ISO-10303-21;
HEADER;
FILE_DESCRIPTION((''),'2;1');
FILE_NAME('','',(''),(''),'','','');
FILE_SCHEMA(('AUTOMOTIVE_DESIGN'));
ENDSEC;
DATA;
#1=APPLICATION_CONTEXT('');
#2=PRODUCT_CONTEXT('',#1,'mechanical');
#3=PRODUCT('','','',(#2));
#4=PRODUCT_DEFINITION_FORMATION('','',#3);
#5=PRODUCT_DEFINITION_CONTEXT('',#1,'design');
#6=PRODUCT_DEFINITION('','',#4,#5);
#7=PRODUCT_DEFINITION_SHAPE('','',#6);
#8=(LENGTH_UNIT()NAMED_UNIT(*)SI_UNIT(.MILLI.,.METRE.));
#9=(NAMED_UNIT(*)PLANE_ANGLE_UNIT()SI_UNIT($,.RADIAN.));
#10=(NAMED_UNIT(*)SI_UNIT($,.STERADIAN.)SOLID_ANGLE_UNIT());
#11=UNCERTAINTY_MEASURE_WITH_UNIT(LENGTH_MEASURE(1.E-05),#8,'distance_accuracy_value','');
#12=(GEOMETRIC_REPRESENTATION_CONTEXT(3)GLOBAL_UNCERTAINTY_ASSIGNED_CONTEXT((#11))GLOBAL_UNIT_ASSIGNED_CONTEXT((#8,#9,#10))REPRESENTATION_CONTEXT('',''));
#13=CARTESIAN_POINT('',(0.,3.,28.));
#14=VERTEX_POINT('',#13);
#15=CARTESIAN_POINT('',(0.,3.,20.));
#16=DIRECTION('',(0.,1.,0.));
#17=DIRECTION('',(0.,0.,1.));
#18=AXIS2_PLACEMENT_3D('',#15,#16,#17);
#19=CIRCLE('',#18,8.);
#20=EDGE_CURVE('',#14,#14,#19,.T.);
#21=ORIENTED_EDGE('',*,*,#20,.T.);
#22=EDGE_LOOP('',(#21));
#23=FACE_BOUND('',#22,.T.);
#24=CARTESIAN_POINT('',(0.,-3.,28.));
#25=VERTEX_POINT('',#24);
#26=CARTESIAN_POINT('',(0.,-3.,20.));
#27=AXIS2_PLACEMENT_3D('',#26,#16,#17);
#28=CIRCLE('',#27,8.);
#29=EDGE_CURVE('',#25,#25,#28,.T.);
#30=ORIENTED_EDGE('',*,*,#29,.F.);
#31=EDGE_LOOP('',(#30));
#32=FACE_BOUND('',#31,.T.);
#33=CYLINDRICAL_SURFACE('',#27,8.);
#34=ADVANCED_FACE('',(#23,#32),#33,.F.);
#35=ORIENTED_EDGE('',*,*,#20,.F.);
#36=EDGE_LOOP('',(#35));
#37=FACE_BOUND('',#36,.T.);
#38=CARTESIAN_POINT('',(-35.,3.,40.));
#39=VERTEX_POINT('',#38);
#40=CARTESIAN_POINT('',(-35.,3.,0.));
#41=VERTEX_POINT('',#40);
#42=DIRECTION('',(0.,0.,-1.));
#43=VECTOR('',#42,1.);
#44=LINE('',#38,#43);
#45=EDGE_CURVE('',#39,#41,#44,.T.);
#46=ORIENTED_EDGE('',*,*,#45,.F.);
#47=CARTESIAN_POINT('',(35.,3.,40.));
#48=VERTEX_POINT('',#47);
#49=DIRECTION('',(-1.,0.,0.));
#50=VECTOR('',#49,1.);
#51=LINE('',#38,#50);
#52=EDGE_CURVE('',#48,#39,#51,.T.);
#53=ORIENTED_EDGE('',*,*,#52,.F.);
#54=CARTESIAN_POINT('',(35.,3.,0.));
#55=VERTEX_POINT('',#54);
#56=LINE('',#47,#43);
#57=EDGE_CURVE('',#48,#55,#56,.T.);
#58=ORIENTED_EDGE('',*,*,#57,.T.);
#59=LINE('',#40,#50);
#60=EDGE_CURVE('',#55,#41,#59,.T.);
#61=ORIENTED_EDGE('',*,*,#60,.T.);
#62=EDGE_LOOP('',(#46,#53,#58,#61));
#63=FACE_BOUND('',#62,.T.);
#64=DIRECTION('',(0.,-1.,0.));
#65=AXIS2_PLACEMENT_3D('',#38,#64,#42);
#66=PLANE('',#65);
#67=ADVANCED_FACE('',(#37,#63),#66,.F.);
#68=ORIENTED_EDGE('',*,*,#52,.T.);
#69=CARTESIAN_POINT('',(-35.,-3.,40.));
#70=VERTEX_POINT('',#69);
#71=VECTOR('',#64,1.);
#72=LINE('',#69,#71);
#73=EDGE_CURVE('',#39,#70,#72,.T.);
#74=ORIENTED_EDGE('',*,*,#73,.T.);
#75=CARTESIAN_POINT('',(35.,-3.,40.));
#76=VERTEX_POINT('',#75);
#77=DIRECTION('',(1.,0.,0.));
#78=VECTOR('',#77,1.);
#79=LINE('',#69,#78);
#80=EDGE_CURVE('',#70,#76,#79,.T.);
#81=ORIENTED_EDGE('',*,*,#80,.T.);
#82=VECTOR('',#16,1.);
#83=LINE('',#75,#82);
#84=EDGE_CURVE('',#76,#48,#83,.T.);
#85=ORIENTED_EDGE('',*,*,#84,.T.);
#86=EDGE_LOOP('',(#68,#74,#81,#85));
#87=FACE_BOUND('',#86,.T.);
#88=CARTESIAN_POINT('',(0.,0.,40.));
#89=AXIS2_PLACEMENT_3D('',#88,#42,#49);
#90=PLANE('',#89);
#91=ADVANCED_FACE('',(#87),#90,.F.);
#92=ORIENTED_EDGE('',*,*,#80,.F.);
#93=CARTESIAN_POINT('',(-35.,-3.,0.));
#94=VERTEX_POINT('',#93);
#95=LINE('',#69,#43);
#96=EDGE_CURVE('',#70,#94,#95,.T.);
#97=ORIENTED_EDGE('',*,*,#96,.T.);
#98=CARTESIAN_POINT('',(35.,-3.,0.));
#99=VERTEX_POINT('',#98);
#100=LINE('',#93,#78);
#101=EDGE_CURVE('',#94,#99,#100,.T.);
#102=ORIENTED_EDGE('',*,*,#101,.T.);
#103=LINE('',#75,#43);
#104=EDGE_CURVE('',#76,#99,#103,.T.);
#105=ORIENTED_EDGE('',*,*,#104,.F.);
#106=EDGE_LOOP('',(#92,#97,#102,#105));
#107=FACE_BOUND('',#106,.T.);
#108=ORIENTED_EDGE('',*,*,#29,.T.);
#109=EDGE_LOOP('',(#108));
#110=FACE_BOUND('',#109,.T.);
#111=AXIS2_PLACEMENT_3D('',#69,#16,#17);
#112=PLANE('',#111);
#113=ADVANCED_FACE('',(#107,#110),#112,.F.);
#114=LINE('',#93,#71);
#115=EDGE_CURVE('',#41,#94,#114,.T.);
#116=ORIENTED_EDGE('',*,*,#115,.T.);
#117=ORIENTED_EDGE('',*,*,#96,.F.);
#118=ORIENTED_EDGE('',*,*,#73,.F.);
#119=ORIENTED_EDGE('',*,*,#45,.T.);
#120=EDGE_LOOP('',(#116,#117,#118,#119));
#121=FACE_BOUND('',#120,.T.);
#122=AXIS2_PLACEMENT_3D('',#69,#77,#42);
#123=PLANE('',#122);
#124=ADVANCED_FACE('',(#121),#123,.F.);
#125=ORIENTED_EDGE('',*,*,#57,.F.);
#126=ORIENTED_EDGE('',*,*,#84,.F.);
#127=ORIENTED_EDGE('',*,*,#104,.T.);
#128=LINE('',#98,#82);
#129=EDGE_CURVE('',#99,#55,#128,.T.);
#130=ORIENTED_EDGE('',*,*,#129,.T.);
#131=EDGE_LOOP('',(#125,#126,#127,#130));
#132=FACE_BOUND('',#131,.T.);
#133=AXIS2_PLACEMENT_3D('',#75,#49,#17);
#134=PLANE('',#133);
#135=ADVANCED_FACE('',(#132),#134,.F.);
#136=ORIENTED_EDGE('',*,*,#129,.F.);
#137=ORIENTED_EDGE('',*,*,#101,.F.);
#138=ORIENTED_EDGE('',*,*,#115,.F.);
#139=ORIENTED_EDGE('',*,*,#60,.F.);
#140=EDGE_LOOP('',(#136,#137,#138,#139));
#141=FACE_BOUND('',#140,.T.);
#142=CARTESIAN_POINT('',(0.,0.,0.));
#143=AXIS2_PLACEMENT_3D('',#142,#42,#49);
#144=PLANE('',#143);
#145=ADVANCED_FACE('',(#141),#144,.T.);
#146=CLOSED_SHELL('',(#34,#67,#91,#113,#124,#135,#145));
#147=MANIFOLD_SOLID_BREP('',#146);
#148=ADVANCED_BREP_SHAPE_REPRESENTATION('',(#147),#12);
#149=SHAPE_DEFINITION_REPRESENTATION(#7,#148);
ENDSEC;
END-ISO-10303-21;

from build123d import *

# Parameters (mm, degrees)
SKETCH1_W           = 70
SKETCH1_H           = 6
BOSS_EXTRUDE1_DEPTH = 40
SKETCH2_R           = 8
CUT_EXTRUDE1_DEPTH  = 54.488316481


with BuildPart() as part:
    # Sketch1 → Boss-Extrude1 (new body)
    with BuildSketch(Plane.XY):
        Rectangle(SKETCH1_W, SKETCH1_H)
    extrude(amount=BOSS_EXTRUDE1_DEPTH)

    # Sketch2 → Cut-Extrude1 (cut, through all)
    with BuildSketch(Plane(origin=(0, 3, 0), x_dir=(1, 0, 0), z_dir=(0, 1, 0))):
        with Locations(Location((0, -20, 0), (0, 0, 270))):
            Circle(SKETCH2_R)
    extrude(amount=-CUT_EXTRUDE1_DEPTH, mode=Mode.SUBTRACT)


solid = part.part
